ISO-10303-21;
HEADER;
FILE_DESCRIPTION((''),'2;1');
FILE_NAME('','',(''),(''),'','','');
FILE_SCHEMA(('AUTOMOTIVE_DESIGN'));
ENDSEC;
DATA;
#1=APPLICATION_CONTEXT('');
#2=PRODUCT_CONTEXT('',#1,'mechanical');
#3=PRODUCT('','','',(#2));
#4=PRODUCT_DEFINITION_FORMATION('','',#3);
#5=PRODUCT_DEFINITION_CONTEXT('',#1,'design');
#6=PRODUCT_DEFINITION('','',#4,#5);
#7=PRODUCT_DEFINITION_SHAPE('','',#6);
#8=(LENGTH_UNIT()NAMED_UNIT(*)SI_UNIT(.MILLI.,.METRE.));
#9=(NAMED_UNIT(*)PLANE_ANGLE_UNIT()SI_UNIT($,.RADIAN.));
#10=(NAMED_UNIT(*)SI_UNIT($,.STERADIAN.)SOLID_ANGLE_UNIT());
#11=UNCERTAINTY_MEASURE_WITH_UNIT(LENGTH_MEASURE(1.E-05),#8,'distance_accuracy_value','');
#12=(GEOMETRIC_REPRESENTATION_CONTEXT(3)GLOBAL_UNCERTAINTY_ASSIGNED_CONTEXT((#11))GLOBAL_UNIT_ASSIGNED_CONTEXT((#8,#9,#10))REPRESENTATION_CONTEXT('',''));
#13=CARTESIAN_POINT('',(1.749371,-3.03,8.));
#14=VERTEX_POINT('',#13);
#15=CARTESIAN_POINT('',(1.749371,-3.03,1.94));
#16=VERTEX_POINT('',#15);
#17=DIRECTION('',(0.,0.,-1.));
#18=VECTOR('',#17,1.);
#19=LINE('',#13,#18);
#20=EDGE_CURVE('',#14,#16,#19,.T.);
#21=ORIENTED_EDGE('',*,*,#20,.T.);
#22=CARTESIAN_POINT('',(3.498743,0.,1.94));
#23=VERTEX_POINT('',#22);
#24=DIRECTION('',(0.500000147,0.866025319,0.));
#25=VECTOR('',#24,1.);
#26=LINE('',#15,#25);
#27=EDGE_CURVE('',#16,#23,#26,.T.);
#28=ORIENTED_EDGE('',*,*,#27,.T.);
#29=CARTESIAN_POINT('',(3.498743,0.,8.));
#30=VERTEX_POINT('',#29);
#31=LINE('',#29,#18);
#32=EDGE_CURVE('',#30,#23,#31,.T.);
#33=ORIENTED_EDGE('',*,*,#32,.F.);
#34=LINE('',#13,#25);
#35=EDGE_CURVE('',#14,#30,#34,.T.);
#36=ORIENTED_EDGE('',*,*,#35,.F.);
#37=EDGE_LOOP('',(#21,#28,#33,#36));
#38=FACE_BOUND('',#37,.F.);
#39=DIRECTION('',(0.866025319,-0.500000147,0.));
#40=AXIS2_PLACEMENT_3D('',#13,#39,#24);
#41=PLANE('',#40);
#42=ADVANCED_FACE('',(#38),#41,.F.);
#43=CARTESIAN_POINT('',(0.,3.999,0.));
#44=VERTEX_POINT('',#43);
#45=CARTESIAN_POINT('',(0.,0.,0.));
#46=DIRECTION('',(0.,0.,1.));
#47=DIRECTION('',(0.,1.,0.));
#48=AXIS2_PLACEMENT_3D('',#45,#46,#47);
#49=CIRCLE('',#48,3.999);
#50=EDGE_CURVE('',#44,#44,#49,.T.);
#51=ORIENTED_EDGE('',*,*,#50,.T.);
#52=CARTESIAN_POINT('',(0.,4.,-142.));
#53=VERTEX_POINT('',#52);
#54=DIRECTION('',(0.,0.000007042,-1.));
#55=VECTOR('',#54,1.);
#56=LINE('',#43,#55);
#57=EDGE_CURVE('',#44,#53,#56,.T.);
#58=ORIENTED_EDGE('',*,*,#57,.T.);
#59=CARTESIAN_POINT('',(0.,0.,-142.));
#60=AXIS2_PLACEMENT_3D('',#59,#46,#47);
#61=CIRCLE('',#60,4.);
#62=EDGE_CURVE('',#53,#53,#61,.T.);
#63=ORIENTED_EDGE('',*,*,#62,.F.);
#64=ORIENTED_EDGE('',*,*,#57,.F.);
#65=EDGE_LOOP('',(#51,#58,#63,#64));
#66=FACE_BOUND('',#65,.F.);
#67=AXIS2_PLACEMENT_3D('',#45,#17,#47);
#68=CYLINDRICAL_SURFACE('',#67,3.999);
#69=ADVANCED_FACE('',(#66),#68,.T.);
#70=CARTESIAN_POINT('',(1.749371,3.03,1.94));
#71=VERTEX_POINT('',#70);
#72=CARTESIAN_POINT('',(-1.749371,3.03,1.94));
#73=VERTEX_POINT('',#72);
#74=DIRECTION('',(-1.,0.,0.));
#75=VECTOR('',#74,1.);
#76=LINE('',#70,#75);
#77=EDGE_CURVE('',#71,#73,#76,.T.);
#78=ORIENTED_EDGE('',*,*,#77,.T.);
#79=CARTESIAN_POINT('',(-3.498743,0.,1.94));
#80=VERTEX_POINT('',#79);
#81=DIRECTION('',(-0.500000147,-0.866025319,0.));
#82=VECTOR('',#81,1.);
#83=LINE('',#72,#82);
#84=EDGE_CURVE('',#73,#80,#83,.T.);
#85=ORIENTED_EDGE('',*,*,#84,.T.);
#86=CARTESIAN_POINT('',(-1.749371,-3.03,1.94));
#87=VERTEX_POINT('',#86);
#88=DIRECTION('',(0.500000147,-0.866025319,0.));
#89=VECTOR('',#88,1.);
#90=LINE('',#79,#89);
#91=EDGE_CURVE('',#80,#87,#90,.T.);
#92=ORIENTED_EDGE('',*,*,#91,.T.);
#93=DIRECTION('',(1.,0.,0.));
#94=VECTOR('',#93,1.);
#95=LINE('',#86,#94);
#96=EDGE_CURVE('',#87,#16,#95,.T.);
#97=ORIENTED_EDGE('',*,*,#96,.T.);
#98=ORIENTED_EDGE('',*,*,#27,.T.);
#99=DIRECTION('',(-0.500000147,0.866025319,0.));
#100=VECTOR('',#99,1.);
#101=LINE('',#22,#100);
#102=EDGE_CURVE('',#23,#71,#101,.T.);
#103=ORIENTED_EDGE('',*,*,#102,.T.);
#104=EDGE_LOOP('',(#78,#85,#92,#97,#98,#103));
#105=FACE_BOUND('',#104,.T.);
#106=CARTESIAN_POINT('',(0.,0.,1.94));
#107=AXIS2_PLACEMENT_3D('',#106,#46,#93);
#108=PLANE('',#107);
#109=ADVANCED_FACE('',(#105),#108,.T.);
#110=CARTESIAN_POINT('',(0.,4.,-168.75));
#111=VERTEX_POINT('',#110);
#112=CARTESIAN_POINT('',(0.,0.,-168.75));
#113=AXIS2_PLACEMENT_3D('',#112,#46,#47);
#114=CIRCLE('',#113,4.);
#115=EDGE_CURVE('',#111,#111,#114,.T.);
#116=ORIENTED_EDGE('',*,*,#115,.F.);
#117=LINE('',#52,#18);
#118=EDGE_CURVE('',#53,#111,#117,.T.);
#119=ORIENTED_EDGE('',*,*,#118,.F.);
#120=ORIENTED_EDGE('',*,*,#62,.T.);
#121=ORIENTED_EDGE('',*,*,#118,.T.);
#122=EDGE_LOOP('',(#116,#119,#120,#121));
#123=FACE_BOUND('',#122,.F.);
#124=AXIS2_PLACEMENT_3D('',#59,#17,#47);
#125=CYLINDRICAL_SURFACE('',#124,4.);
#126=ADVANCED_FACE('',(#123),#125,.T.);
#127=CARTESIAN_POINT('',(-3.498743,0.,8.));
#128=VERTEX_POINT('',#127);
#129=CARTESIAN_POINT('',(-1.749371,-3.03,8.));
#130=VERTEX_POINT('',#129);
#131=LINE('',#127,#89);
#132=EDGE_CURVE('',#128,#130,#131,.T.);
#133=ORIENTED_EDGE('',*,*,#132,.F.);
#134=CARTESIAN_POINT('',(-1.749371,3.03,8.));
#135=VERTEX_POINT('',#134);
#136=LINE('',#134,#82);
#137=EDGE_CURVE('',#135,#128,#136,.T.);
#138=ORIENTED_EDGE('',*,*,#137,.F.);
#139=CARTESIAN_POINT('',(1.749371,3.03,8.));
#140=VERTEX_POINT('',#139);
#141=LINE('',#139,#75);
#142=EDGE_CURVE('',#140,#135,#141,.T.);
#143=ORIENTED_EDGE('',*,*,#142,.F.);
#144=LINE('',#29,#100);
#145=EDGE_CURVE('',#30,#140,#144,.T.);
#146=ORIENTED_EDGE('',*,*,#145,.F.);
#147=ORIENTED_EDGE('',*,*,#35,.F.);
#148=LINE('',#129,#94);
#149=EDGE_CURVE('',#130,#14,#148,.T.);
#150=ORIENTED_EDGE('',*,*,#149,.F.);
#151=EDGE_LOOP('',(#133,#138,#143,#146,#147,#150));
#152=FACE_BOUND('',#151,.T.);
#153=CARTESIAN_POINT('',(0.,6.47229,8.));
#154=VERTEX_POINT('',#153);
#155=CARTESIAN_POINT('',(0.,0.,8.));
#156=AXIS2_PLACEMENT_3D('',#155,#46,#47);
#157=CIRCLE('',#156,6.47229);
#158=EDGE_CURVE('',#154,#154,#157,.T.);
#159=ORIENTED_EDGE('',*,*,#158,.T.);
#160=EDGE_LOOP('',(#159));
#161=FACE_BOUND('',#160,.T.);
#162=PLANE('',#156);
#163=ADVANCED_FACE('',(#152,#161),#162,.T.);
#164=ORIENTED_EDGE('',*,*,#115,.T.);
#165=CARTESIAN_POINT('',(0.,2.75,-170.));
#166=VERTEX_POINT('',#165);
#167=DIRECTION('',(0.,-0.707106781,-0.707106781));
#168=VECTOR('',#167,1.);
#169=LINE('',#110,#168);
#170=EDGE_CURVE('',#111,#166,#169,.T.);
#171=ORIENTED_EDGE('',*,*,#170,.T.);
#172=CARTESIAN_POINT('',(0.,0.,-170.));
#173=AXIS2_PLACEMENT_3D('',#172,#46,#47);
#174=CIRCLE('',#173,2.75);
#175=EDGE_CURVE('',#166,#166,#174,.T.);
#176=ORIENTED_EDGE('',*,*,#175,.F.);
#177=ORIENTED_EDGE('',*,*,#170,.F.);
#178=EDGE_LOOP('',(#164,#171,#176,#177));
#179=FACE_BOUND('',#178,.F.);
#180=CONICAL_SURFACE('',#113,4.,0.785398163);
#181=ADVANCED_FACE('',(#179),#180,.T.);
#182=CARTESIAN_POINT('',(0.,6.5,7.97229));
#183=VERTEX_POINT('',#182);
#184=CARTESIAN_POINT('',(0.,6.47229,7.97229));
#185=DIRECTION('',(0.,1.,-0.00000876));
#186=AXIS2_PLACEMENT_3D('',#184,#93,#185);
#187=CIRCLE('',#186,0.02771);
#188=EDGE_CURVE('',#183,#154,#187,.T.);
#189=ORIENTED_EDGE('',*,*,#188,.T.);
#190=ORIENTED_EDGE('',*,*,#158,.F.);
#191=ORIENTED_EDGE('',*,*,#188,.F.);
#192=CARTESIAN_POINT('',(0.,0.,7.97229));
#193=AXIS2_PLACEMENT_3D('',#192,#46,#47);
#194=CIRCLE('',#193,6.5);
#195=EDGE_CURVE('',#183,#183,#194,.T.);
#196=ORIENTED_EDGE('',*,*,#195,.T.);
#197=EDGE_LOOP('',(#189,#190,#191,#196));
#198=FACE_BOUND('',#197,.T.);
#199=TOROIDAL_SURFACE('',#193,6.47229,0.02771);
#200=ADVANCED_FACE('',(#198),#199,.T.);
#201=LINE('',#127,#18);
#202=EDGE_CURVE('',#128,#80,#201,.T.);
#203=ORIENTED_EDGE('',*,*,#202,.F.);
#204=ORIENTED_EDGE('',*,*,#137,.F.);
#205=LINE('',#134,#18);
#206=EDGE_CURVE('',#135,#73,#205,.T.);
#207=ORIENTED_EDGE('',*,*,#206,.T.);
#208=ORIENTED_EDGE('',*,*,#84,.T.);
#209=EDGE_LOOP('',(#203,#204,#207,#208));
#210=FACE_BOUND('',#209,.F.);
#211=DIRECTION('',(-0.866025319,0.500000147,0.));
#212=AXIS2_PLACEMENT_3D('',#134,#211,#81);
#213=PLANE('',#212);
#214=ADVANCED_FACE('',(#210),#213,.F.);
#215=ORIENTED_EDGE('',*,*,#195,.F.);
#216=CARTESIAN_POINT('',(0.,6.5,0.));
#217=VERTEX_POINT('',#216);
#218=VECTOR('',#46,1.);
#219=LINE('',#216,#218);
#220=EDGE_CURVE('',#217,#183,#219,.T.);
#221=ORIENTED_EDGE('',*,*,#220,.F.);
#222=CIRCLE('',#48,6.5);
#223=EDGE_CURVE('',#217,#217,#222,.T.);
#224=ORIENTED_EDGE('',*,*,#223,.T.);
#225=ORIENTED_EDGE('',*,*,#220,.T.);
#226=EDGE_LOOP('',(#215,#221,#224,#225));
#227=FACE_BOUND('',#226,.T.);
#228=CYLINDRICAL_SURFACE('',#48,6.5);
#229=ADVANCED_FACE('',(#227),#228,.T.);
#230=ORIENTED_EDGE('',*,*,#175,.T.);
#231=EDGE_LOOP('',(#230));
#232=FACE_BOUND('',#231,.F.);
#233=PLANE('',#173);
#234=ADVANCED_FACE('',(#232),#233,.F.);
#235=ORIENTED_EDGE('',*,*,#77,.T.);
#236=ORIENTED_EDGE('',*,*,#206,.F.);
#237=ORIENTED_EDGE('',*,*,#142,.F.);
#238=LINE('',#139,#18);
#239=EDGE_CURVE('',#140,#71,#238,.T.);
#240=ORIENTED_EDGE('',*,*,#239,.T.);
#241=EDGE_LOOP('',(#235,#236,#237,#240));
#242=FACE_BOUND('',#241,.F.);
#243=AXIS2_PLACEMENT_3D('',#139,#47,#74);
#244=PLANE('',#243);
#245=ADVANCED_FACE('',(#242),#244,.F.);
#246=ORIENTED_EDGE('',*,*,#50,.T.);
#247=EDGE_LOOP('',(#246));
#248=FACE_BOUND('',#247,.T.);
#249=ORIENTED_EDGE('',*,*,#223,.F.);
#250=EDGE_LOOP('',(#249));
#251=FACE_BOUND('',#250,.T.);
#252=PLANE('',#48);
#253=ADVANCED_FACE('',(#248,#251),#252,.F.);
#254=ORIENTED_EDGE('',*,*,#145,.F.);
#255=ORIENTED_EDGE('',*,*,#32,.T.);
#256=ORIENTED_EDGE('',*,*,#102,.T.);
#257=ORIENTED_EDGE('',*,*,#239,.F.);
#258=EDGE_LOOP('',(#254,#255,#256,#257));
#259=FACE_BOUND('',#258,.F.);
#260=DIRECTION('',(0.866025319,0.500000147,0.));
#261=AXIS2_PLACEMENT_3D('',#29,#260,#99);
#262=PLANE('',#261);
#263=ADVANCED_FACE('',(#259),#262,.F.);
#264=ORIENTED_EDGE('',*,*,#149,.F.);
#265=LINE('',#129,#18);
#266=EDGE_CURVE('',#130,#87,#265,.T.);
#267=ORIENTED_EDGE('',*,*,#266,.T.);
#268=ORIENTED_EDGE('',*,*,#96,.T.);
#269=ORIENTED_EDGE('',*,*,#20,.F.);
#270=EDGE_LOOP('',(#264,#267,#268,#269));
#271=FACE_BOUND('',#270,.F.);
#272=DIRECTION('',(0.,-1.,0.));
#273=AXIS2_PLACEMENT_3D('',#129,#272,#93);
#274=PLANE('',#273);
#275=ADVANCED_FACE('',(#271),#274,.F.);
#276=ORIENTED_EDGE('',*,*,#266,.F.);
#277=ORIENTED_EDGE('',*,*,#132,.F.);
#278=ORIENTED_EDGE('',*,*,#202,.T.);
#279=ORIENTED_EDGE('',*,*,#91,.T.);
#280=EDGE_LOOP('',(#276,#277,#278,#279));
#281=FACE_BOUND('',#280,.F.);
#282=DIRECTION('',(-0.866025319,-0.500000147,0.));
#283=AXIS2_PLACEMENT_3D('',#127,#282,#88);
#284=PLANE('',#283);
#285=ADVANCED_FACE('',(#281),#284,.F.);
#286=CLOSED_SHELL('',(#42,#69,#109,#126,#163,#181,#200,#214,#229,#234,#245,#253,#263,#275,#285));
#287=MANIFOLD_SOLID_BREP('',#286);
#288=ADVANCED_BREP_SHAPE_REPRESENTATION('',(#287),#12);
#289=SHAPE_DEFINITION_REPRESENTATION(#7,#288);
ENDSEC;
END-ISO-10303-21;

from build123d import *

# Parameters (mm, degrees)
POCKET_DEPTH = 6.06


with BuildPart() as part:
    # Sketch → Revolve (revolve)
    with BuildSketch(Plane.YZ):
        with BuildLine():
            Line((3.999, 0), (6.5, 0))
            Line((6.5, 0), (6.5, 7.97229))
            ThreePointArc((6.5, 7.97229), (6.491884, 7.991884), (6.47229, 8))
            Line((6.47229, 8), (0, 8))
            Line((0, -170), (0, 8))
            Line((2.75, -170), (0, -170))
            Line((4, -168.75), (2.75, -170))
            Line((4, -142), (4, -168.75))
            Line((3.999, 0), (4, -142))
        make_face()
    revolve(axis=Axis((0, 0, 0), (0, 0, 1)))

    # Sketch001 → Pocket (cut)
    with BuildSketch(Plane.XY.offset(8)):
        Polygon((3.498743, 0), (1.749371, 3.03), (-1.749371, 3.03), (-3.498743, 0), (-1.749371, -3.03), (1.749371, -3.03), align=None)
    extrude(amount=-POCKET_DEPTH, mode=Mode.SUBTRACT)


solid = part.part
